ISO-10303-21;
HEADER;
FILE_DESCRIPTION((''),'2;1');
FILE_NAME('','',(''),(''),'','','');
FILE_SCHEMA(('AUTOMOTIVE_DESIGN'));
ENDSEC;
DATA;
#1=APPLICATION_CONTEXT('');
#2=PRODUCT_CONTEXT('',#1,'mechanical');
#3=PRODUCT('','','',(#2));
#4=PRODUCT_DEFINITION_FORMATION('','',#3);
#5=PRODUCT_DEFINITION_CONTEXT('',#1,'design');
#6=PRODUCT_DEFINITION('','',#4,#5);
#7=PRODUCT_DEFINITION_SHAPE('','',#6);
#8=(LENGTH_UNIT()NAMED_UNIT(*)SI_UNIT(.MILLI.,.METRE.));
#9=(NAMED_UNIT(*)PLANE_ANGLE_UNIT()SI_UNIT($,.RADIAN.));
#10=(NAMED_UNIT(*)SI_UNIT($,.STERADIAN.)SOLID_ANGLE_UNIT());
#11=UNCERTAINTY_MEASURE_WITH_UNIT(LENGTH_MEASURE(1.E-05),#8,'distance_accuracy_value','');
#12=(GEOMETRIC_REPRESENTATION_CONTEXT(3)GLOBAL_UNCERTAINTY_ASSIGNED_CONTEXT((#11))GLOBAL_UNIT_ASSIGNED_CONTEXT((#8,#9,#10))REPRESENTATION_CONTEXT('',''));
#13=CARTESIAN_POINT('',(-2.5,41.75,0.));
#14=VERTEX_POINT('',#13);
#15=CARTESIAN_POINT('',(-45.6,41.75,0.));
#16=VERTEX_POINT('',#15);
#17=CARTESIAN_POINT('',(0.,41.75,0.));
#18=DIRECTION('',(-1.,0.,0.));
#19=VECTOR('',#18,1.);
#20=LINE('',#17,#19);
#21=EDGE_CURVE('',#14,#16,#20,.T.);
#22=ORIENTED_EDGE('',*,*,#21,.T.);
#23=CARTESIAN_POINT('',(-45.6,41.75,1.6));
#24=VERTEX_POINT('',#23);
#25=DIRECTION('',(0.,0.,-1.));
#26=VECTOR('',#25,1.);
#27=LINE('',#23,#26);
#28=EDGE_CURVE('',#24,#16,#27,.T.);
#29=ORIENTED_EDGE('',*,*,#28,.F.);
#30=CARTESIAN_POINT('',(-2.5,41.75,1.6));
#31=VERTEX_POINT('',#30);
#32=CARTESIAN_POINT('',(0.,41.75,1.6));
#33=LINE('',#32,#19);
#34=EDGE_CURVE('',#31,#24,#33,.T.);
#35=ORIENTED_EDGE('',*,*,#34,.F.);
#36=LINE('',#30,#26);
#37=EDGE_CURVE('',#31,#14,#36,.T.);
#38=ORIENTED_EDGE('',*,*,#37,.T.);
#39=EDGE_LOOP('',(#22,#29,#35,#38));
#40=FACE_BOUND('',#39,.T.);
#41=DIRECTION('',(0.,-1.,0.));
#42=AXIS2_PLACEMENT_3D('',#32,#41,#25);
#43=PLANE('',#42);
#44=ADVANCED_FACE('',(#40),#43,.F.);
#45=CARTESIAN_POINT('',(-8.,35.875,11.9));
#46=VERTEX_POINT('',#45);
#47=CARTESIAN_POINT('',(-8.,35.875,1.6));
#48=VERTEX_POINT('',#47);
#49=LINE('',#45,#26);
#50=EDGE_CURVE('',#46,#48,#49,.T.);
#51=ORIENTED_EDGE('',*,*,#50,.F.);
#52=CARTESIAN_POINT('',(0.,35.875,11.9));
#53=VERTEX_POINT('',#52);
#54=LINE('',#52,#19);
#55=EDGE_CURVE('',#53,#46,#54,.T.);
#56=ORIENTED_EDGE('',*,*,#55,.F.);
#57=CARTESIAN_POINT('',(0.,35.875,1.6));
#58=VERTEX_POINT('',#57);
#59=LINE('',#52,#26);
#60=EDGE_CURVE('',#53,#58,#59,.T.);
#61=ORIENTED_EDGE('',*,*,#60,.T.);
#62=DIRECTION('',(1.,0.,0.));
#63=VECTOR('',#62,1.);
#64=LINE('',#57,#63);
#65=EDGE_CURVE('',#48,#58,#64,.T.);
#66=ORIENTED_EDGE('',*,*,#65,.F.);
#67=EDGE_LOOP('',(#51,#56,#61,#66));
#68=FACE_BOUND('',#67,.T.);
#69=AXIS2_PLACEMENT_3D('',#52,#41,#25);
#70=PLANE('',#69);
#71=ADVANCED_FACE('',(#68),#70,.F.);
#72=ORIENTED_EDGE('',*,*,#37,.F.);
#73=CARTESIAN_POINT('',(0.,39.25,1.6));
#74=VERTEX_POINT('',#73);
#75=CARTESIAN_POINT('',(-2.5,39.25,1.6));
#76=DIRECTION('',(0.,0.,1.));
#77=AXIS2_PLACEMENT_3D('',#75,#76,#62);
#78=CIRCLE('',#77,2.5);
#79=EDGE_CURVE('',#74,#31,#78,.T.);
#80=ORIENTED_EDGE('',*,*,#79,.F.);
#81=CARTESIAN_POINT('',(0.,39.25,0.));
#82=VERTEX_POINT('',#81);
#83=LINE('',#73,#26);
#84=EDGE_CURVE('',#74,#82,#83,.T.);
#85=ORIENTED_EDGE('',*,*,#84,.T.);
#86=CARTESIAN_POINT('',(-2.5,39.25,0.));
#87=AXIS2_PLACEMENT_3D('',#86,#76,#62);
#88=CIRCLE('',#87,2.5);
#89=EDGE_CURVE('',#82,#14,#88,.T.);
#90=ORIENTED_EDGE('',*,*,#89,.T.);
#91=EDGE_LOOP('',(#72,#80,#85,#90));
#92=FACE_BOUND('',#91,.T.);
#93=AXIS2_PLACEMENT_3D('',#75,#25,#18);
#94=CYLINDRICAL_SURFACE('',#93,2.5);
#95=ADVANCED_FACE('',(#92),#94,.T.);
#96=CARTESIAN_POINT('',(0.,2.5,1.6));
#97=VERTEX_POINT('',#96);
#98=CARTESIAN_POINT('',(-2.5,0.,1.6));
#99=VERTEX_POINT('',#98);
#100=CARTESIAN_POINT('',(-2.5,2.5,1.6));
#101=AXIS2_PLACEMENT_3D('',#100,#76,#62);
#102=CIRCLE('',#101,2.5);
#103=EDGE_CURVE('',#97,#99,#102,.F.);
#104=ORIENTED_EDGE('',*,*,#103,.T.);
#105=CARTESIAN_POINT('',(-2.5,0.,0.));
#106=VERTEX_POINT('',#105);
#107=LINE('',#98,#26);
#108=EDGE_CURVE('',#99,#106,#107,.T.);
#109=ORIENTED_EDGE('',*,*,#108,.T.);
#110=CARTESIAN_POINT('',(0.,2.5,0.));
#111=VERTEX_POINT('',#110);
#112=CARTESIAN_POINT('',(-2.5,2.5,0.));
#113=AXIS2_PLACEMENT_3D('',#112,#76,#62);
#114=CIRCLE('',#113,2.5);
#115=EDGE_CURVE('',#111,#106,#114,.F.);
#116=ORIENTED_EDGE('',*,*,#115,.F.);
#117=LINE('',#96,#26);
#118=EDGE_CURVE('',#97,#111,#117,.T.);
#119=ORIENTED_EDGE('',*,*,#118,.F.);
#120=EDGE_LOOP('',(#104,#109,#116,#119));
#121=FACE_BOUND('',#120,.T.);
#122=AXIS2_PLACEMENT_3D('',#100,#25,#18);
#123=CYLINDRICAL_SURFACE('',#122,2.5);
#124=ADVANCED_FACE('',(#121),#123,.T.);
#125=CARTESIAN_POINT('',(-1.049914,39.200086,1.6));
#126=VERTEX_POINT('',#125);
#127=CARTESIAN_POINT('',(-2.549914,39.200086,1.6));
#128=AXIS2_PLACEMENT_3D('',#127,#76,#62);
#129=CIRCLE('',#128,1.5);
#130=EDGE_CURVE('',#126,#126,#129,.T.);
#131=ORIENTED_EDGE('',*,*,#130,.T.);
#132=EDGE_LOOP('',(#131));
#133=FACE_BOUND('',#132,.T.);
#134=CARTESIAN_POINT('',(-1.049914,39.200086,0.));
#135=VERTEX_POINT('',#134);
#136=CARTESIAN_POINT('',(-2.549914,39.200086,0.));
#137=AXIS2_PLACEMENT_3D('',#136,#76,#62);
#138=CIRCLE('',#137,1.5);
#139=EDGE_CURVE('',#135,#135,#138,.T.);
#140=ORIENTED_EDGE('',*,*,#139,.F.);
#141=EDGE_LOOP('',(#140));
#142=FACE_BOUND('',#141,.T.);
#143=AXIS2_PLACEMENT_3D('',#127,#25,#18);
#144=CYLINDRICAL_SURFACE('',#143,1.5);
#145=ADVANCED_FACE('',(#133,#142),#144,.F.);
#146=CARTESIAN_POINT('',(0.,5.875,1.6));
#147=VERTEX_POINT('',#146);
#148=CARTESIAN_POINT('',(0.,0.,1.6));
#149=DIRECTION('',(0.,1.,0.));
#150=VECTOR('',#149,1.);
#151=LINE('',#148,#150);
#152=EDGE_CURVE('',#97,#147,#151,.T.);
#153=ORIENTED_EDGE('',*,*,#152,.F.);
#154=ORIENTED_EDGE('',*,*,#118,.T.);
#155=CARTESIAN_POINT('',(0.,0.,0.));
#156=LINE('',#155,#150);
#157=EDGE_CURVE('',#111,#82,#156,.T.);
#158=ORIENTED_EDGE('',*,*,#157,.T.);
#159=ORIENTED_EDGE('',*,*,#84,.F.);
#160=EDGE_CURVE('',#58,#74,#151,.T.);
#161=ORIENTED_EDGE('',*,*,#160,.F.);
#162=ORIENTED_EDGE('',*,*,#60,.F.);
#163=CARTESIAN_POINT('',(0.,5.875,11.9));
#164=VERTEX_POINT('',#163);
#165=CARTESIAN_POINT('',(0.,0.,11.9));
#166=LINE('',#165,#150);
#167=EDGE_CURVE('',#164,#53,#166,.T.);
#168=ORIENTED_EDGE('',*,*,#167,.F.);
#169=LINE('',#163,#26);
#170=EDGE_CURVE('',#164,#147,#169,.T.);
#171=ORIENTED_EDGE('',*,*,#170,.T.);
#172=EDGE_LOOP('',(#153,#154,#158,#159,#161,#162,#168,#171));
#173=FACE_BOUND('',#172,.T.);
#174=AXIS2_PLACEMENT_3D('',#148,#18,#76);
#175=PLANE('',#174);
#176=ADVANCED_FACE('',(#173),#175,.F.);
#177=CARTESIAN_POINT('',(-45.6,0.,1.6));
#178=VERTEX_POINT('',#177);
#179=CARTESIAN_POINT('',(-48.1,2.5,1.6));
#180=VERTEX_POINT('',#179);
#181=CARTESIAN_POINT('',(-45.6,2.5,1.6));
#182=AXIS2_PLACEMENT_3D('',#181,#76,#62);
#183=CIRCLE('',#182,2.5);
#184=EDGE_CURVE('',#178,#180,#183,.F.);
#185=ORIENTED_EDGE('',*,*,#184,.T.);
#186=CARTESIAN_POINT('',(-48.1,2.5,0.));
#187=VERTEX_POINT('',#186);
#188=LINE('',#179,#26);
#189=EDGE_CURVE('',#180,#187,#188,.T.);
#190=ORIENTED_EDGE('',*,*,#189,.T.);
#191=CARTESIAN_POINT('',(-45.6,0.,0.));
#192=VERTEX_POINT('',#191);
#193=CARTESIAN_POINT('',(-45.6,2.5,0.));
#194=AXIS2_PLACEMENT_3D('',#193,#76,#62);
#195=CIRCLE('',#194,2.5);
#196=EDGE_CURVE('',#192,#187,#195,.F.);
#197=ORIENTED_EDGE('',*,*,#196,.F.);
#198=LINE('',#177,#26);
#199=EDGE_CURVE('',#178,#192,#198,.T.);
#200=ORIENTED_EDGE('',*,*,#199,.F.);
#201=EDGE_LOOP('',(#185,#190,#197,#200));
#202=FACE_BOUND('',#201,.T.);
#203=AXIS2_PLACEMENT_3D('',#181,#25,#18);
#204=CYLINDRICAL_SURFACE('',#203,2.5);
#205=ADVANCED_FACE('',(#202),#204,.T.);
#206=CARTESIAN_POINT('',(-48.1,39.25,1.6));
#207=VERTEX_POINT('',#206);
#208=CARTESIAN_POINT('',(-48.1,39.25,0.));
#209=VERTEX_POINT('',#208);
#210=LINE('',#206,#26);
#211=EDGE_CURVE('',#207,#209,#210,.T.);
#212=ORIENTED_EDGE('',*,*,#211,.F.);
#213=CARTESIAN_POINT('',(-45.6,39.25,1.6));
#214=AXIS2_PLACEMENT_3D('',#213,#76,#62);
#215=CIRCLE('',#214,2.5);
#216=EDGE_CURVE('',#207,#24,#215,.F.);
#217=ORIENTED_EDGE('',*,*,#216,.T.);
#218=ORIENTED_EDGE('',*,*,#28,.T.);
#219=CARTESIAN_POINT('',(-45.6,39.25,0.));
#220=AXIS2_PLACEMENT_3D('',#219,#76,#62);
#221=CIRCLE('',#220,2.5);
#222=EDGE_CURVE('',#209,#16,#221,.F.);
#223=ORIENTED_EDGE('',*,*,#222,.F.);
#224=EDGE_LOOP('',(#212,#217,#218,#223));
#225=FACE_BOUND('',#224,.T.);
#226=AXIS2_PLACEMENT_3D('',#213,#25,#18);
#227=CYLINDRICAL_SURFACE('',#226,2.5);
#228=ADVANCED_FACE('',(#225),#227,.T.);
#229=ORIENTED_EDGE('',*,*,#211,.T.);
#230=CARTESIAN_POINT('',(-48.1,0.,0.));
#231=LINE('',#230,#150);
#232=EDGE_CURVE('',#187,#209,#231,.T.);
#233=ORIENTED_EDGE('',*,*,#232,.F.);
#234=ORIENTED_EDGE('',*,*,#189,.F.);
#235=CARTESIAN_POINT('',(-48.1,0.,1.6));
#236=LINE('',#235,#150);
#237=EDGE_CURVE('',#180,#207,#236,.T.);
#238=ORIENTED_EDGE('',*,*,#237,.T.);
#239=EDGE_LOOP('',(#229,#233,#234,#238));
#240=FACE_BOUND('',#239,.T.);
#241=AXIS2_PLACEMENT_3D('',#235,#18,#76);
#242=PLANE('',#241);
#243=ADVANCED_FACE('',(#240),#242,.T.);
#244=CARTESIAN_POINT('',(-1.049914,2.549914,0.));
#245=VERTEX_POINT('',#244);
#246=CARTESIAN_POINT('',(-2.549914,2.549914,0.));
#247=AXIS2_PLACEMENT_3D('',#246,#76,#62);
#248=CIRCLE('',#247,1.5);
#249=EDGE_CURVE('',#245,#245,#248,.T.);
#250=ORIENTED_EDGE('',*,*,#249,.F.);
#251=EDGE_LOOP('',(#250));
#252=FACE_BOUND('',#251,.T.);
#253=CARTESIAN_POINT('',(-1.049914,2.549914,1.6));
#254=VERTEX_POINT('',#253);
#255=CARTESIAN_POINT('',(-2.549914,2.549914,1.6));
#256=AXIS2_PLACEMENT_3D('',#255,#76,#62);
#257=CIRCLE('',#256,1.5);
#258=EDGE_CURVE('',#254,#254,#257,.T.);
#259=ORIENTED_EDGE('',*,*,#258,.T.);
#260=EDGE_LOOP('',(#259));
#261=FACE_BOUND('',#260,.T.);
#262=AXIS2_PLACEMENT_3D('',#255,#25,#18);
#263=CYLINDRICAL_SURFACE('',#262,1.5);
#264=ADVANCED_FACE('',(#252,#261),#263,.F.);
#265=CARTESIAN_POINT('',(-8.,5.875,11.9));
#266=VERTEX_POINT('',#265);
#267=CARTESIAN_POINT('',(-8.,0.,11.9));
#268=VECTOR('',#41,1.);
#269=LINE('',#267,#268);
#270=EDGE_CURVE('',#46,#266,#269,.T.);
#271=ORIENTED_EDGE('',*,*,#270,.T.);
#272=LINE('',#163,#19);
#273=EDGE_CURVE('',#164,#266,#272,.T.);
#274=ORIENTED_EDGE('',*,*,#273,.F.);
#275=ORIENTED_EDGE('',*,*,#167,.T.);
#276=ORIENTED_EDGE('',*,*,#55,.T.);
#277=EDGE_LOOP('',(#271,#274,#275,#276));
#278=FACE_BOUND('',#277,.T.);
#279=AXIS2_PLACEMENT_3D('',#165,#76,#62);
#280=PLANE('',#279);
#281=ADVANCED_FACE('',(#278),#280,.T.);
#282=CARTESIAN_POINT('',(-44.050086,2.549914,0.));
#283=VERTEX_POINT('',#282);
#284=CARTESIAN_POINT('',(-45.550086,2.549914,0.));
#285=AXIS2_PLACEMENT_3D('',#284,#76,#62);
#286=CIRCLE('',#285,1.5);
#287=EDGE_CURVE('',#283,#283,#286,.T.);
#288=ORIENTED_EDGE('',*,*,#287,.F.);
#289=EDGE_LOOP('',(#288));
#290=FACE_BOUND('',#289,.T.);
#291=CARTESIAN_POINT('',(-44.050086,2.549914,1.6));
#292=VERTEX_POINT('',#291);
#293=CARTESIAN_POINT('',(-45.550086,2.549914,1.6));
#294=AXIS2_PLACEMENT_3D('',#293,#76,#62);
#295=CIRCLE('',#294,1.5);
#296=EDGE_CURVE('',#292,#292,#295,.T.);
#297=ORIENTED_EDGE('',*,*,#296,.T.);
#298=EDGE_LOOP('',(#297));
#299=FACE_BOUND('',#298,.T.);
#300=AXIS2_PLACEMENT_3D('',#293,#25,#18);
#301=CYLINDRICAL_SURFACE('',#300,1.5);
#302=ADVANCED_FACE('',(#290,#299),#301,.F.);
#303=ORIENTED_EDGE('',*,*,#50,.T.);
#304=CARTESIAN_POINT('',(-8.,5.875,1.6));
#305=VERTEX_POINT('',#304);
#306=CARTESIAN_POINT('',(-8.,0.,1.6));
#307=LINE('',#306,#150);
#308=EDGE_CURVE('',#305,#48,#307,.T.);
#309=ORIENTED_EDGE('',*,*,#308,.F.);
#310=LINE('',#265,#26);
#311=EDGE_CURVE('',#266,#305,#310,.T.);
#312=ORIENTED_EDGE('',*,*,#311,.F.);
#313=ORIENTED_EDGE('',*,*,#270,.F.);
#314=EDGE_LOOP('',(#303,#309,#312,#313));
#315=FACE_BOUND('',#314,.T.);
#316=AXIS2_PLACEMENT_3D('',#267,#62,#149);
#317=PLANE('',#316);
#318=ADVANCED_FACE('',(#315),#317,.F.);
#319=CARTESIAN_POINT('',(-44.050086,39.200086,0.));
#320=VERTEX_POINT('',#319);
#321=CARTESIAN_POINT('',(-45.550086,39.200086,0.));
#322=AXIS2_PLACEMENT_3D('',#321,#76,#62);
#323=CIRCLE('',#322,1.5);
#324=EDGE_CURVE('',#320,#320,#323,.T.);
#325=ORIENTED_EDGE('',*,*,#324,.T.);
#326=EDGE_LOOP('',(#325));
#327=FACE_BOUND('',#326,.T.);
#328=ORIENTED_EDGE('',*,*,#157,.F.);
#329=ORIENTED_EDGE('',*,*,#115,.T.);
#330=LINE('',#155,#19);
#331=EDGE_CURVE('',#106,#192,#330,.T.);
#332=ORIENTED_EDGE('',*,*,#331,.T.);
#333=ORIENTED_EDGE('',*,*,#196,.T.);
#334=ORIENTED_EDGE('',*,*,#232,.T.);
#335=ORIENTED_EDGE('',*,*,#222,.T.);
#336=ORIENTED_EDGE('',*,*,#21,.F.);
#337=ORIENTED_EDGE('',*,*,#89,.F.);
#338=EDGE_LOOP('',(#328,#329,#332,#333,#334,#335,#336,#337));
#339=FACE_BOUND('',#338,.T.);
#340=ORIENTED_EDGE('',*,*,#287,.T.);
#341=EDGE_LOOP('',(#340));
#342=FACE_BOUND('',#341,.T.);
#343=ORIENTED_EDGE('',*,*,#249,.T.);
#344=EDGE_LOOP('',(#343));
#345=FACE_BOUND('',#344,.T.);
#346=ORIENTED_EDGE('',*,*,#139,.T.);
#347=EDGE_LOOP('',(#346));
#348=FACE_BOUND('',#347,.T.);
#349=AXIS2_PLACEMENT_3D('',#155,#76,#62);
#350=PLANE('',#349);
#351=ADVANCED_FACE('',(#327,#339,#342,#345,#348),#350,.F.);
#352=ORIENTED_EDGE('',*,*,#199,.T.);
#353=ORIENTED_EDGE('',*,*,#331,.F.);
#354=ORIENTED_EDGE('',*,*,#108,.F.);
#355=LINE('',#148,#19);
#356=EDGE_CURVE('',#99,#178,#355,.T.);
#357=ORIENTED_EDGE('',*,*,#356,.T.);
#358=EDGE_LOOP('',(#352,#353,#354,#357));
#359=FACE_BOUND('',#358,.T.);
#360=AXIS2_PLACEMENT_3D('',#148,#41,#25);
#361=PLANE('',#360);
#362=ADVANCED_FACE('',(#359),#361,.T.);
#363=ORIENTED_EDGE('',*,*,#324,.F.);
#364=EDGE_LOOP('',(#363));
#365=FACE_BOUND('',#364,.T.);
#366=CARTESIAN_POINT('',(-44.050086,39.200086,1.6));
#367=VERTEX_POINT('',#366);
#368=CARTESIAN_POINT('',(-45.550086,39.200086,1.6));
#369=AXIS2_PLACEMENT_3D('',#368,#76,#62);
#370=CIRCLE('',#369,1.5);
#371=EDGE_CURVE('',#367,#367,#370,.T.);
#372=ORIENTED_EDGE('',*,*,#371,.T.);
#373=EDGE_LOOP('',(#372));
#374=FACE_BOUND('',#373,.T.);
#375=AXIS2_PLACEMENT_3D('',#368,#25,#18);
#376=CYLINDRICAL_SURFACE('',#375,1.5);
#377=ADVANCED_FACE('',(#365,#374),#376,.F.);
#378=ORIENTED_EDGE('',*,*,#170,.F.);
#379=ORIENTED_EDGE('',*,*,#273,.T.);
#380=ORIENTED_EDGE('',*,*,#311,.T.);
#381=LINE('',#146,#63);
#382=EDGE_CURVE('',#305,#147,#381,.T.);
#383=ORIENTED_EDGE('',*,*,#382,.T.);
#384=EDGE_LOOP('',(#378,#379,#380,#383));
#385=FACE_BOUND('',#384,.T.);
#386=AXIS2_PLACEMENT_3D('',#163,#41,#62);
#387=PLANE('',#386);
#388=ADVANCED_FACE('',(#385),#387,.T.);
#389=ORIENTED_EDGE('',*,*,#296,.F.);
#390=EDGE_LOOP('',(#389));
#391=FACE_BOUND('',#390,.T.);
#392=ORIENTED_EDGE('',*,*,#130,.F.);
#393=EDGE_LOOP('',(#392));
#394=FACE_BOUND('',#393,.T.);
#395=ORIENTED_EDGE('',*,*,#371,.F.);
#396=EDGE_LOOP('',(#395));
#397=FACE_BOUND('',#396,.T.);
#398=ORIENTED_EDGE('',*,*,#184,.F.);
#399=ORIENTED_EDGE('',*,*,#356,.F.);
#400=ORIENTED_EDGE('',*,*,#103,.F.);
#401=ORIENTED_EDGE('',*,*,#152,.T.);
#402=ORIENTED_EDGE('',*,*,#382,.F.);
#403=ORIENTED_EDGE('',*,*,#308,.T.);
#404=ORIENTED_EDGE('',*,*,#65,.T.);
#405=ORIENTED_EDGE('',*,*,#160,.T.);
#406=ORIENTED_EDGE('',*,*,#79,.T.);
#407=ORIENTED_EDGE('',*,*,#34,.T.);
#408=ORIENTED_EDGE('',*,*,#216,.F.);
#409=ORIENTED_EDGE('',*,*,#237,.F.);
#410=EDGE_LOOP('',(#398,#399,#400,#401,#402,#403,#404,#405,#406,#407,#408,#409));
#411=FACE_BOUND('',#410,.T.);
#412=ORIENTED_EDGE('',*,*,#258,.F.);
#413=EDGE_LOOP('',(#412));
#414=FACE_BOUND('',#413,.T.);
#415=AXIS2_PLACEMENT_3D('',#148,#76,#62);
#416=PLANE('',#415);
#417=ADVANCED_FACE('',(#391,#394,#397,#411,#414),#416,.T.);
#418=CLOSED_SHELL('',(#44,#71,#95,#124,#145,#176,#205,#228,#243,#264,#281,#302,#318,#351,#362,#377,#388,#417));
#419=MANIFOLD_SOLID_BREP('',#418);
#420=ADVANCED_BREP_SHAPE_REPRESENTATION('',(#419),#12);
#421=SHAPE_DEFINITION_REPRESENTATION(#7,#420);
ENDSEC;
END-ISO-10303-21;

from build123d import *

# Parameters (mm, degrees)
SKETCH1_R           = 1.5
BOSS_EXTRUDE1_DEPTH = 1.6
SKETCH1_3_W         = 30
SKETCH1_3_H         = 8
BOSS_EXTRUDE2_DEPTH = 11.9


with BuildPart() as part:
    # Sketch1 → Boss-Extrude1 (new body)
    with BuildSketch(Plane(origin=(0, 0, 0), x_dir=(0, 1, 0), z_dir=(0, 0, 1))):
        with BuildLine():
            ThreePointArc((0, 2.5), (0.732233047, 0.732233047), (2.5, 0))
            Line((2.5, 0), (39.25, 0))
            ThreePointArc((39.25, 0), (41.017766953, 0.732233047), (41.75, 2.5))
            Line((41.75, 2.5), (41.75, 45.6))
            ThreePointArc((41.75, 45.6), (41.017766953, 47.367766953), (39.25, 48.1))
            Line((39.25, 48.1), (2.5, 48.1))
            ThreePointArc((2.5, 48.1), (0.732233047, 47.367766953), (0, 45.6))
            Line((0, 45.6), (0, 2.5))
        make_face()
        with Locations((2.549913685, 2.549913685)):
            Circle(SKETCH1_R, mode=Mode.SUBTRACT)
        with Locations((39.200086315, 2.549913685)):
            Circle(SKETCH1_R, mode=Mode.SUBTRACT)
        with Locations((2.549913685, 45.550086315)):
            Circle(SKETCH1_R, mode=Mode.SUBTRACT)
        with Locations((39.200086315, 45.550086315)):
            Circle(SKETCH1_R, mode=Mode.SUBTRACT)
    extrude(amount=BOSS_EXTRUDE1_DEPTH)

    # Sketch1<3> → Boss-Extrude2 (add)
    with BuildSketch(Plane(origin=(0, 0, 0), x_dir=(0, 1, 0), z_dir=(0, 0, 1))):
        with Locations((20.875, 4)):
            Rectangle(SKETCH1_3_W, SKETCH1_3_H)
    extrude(amount=BOSS_EXTRUDE2_DEPTH)


solid = part.part
